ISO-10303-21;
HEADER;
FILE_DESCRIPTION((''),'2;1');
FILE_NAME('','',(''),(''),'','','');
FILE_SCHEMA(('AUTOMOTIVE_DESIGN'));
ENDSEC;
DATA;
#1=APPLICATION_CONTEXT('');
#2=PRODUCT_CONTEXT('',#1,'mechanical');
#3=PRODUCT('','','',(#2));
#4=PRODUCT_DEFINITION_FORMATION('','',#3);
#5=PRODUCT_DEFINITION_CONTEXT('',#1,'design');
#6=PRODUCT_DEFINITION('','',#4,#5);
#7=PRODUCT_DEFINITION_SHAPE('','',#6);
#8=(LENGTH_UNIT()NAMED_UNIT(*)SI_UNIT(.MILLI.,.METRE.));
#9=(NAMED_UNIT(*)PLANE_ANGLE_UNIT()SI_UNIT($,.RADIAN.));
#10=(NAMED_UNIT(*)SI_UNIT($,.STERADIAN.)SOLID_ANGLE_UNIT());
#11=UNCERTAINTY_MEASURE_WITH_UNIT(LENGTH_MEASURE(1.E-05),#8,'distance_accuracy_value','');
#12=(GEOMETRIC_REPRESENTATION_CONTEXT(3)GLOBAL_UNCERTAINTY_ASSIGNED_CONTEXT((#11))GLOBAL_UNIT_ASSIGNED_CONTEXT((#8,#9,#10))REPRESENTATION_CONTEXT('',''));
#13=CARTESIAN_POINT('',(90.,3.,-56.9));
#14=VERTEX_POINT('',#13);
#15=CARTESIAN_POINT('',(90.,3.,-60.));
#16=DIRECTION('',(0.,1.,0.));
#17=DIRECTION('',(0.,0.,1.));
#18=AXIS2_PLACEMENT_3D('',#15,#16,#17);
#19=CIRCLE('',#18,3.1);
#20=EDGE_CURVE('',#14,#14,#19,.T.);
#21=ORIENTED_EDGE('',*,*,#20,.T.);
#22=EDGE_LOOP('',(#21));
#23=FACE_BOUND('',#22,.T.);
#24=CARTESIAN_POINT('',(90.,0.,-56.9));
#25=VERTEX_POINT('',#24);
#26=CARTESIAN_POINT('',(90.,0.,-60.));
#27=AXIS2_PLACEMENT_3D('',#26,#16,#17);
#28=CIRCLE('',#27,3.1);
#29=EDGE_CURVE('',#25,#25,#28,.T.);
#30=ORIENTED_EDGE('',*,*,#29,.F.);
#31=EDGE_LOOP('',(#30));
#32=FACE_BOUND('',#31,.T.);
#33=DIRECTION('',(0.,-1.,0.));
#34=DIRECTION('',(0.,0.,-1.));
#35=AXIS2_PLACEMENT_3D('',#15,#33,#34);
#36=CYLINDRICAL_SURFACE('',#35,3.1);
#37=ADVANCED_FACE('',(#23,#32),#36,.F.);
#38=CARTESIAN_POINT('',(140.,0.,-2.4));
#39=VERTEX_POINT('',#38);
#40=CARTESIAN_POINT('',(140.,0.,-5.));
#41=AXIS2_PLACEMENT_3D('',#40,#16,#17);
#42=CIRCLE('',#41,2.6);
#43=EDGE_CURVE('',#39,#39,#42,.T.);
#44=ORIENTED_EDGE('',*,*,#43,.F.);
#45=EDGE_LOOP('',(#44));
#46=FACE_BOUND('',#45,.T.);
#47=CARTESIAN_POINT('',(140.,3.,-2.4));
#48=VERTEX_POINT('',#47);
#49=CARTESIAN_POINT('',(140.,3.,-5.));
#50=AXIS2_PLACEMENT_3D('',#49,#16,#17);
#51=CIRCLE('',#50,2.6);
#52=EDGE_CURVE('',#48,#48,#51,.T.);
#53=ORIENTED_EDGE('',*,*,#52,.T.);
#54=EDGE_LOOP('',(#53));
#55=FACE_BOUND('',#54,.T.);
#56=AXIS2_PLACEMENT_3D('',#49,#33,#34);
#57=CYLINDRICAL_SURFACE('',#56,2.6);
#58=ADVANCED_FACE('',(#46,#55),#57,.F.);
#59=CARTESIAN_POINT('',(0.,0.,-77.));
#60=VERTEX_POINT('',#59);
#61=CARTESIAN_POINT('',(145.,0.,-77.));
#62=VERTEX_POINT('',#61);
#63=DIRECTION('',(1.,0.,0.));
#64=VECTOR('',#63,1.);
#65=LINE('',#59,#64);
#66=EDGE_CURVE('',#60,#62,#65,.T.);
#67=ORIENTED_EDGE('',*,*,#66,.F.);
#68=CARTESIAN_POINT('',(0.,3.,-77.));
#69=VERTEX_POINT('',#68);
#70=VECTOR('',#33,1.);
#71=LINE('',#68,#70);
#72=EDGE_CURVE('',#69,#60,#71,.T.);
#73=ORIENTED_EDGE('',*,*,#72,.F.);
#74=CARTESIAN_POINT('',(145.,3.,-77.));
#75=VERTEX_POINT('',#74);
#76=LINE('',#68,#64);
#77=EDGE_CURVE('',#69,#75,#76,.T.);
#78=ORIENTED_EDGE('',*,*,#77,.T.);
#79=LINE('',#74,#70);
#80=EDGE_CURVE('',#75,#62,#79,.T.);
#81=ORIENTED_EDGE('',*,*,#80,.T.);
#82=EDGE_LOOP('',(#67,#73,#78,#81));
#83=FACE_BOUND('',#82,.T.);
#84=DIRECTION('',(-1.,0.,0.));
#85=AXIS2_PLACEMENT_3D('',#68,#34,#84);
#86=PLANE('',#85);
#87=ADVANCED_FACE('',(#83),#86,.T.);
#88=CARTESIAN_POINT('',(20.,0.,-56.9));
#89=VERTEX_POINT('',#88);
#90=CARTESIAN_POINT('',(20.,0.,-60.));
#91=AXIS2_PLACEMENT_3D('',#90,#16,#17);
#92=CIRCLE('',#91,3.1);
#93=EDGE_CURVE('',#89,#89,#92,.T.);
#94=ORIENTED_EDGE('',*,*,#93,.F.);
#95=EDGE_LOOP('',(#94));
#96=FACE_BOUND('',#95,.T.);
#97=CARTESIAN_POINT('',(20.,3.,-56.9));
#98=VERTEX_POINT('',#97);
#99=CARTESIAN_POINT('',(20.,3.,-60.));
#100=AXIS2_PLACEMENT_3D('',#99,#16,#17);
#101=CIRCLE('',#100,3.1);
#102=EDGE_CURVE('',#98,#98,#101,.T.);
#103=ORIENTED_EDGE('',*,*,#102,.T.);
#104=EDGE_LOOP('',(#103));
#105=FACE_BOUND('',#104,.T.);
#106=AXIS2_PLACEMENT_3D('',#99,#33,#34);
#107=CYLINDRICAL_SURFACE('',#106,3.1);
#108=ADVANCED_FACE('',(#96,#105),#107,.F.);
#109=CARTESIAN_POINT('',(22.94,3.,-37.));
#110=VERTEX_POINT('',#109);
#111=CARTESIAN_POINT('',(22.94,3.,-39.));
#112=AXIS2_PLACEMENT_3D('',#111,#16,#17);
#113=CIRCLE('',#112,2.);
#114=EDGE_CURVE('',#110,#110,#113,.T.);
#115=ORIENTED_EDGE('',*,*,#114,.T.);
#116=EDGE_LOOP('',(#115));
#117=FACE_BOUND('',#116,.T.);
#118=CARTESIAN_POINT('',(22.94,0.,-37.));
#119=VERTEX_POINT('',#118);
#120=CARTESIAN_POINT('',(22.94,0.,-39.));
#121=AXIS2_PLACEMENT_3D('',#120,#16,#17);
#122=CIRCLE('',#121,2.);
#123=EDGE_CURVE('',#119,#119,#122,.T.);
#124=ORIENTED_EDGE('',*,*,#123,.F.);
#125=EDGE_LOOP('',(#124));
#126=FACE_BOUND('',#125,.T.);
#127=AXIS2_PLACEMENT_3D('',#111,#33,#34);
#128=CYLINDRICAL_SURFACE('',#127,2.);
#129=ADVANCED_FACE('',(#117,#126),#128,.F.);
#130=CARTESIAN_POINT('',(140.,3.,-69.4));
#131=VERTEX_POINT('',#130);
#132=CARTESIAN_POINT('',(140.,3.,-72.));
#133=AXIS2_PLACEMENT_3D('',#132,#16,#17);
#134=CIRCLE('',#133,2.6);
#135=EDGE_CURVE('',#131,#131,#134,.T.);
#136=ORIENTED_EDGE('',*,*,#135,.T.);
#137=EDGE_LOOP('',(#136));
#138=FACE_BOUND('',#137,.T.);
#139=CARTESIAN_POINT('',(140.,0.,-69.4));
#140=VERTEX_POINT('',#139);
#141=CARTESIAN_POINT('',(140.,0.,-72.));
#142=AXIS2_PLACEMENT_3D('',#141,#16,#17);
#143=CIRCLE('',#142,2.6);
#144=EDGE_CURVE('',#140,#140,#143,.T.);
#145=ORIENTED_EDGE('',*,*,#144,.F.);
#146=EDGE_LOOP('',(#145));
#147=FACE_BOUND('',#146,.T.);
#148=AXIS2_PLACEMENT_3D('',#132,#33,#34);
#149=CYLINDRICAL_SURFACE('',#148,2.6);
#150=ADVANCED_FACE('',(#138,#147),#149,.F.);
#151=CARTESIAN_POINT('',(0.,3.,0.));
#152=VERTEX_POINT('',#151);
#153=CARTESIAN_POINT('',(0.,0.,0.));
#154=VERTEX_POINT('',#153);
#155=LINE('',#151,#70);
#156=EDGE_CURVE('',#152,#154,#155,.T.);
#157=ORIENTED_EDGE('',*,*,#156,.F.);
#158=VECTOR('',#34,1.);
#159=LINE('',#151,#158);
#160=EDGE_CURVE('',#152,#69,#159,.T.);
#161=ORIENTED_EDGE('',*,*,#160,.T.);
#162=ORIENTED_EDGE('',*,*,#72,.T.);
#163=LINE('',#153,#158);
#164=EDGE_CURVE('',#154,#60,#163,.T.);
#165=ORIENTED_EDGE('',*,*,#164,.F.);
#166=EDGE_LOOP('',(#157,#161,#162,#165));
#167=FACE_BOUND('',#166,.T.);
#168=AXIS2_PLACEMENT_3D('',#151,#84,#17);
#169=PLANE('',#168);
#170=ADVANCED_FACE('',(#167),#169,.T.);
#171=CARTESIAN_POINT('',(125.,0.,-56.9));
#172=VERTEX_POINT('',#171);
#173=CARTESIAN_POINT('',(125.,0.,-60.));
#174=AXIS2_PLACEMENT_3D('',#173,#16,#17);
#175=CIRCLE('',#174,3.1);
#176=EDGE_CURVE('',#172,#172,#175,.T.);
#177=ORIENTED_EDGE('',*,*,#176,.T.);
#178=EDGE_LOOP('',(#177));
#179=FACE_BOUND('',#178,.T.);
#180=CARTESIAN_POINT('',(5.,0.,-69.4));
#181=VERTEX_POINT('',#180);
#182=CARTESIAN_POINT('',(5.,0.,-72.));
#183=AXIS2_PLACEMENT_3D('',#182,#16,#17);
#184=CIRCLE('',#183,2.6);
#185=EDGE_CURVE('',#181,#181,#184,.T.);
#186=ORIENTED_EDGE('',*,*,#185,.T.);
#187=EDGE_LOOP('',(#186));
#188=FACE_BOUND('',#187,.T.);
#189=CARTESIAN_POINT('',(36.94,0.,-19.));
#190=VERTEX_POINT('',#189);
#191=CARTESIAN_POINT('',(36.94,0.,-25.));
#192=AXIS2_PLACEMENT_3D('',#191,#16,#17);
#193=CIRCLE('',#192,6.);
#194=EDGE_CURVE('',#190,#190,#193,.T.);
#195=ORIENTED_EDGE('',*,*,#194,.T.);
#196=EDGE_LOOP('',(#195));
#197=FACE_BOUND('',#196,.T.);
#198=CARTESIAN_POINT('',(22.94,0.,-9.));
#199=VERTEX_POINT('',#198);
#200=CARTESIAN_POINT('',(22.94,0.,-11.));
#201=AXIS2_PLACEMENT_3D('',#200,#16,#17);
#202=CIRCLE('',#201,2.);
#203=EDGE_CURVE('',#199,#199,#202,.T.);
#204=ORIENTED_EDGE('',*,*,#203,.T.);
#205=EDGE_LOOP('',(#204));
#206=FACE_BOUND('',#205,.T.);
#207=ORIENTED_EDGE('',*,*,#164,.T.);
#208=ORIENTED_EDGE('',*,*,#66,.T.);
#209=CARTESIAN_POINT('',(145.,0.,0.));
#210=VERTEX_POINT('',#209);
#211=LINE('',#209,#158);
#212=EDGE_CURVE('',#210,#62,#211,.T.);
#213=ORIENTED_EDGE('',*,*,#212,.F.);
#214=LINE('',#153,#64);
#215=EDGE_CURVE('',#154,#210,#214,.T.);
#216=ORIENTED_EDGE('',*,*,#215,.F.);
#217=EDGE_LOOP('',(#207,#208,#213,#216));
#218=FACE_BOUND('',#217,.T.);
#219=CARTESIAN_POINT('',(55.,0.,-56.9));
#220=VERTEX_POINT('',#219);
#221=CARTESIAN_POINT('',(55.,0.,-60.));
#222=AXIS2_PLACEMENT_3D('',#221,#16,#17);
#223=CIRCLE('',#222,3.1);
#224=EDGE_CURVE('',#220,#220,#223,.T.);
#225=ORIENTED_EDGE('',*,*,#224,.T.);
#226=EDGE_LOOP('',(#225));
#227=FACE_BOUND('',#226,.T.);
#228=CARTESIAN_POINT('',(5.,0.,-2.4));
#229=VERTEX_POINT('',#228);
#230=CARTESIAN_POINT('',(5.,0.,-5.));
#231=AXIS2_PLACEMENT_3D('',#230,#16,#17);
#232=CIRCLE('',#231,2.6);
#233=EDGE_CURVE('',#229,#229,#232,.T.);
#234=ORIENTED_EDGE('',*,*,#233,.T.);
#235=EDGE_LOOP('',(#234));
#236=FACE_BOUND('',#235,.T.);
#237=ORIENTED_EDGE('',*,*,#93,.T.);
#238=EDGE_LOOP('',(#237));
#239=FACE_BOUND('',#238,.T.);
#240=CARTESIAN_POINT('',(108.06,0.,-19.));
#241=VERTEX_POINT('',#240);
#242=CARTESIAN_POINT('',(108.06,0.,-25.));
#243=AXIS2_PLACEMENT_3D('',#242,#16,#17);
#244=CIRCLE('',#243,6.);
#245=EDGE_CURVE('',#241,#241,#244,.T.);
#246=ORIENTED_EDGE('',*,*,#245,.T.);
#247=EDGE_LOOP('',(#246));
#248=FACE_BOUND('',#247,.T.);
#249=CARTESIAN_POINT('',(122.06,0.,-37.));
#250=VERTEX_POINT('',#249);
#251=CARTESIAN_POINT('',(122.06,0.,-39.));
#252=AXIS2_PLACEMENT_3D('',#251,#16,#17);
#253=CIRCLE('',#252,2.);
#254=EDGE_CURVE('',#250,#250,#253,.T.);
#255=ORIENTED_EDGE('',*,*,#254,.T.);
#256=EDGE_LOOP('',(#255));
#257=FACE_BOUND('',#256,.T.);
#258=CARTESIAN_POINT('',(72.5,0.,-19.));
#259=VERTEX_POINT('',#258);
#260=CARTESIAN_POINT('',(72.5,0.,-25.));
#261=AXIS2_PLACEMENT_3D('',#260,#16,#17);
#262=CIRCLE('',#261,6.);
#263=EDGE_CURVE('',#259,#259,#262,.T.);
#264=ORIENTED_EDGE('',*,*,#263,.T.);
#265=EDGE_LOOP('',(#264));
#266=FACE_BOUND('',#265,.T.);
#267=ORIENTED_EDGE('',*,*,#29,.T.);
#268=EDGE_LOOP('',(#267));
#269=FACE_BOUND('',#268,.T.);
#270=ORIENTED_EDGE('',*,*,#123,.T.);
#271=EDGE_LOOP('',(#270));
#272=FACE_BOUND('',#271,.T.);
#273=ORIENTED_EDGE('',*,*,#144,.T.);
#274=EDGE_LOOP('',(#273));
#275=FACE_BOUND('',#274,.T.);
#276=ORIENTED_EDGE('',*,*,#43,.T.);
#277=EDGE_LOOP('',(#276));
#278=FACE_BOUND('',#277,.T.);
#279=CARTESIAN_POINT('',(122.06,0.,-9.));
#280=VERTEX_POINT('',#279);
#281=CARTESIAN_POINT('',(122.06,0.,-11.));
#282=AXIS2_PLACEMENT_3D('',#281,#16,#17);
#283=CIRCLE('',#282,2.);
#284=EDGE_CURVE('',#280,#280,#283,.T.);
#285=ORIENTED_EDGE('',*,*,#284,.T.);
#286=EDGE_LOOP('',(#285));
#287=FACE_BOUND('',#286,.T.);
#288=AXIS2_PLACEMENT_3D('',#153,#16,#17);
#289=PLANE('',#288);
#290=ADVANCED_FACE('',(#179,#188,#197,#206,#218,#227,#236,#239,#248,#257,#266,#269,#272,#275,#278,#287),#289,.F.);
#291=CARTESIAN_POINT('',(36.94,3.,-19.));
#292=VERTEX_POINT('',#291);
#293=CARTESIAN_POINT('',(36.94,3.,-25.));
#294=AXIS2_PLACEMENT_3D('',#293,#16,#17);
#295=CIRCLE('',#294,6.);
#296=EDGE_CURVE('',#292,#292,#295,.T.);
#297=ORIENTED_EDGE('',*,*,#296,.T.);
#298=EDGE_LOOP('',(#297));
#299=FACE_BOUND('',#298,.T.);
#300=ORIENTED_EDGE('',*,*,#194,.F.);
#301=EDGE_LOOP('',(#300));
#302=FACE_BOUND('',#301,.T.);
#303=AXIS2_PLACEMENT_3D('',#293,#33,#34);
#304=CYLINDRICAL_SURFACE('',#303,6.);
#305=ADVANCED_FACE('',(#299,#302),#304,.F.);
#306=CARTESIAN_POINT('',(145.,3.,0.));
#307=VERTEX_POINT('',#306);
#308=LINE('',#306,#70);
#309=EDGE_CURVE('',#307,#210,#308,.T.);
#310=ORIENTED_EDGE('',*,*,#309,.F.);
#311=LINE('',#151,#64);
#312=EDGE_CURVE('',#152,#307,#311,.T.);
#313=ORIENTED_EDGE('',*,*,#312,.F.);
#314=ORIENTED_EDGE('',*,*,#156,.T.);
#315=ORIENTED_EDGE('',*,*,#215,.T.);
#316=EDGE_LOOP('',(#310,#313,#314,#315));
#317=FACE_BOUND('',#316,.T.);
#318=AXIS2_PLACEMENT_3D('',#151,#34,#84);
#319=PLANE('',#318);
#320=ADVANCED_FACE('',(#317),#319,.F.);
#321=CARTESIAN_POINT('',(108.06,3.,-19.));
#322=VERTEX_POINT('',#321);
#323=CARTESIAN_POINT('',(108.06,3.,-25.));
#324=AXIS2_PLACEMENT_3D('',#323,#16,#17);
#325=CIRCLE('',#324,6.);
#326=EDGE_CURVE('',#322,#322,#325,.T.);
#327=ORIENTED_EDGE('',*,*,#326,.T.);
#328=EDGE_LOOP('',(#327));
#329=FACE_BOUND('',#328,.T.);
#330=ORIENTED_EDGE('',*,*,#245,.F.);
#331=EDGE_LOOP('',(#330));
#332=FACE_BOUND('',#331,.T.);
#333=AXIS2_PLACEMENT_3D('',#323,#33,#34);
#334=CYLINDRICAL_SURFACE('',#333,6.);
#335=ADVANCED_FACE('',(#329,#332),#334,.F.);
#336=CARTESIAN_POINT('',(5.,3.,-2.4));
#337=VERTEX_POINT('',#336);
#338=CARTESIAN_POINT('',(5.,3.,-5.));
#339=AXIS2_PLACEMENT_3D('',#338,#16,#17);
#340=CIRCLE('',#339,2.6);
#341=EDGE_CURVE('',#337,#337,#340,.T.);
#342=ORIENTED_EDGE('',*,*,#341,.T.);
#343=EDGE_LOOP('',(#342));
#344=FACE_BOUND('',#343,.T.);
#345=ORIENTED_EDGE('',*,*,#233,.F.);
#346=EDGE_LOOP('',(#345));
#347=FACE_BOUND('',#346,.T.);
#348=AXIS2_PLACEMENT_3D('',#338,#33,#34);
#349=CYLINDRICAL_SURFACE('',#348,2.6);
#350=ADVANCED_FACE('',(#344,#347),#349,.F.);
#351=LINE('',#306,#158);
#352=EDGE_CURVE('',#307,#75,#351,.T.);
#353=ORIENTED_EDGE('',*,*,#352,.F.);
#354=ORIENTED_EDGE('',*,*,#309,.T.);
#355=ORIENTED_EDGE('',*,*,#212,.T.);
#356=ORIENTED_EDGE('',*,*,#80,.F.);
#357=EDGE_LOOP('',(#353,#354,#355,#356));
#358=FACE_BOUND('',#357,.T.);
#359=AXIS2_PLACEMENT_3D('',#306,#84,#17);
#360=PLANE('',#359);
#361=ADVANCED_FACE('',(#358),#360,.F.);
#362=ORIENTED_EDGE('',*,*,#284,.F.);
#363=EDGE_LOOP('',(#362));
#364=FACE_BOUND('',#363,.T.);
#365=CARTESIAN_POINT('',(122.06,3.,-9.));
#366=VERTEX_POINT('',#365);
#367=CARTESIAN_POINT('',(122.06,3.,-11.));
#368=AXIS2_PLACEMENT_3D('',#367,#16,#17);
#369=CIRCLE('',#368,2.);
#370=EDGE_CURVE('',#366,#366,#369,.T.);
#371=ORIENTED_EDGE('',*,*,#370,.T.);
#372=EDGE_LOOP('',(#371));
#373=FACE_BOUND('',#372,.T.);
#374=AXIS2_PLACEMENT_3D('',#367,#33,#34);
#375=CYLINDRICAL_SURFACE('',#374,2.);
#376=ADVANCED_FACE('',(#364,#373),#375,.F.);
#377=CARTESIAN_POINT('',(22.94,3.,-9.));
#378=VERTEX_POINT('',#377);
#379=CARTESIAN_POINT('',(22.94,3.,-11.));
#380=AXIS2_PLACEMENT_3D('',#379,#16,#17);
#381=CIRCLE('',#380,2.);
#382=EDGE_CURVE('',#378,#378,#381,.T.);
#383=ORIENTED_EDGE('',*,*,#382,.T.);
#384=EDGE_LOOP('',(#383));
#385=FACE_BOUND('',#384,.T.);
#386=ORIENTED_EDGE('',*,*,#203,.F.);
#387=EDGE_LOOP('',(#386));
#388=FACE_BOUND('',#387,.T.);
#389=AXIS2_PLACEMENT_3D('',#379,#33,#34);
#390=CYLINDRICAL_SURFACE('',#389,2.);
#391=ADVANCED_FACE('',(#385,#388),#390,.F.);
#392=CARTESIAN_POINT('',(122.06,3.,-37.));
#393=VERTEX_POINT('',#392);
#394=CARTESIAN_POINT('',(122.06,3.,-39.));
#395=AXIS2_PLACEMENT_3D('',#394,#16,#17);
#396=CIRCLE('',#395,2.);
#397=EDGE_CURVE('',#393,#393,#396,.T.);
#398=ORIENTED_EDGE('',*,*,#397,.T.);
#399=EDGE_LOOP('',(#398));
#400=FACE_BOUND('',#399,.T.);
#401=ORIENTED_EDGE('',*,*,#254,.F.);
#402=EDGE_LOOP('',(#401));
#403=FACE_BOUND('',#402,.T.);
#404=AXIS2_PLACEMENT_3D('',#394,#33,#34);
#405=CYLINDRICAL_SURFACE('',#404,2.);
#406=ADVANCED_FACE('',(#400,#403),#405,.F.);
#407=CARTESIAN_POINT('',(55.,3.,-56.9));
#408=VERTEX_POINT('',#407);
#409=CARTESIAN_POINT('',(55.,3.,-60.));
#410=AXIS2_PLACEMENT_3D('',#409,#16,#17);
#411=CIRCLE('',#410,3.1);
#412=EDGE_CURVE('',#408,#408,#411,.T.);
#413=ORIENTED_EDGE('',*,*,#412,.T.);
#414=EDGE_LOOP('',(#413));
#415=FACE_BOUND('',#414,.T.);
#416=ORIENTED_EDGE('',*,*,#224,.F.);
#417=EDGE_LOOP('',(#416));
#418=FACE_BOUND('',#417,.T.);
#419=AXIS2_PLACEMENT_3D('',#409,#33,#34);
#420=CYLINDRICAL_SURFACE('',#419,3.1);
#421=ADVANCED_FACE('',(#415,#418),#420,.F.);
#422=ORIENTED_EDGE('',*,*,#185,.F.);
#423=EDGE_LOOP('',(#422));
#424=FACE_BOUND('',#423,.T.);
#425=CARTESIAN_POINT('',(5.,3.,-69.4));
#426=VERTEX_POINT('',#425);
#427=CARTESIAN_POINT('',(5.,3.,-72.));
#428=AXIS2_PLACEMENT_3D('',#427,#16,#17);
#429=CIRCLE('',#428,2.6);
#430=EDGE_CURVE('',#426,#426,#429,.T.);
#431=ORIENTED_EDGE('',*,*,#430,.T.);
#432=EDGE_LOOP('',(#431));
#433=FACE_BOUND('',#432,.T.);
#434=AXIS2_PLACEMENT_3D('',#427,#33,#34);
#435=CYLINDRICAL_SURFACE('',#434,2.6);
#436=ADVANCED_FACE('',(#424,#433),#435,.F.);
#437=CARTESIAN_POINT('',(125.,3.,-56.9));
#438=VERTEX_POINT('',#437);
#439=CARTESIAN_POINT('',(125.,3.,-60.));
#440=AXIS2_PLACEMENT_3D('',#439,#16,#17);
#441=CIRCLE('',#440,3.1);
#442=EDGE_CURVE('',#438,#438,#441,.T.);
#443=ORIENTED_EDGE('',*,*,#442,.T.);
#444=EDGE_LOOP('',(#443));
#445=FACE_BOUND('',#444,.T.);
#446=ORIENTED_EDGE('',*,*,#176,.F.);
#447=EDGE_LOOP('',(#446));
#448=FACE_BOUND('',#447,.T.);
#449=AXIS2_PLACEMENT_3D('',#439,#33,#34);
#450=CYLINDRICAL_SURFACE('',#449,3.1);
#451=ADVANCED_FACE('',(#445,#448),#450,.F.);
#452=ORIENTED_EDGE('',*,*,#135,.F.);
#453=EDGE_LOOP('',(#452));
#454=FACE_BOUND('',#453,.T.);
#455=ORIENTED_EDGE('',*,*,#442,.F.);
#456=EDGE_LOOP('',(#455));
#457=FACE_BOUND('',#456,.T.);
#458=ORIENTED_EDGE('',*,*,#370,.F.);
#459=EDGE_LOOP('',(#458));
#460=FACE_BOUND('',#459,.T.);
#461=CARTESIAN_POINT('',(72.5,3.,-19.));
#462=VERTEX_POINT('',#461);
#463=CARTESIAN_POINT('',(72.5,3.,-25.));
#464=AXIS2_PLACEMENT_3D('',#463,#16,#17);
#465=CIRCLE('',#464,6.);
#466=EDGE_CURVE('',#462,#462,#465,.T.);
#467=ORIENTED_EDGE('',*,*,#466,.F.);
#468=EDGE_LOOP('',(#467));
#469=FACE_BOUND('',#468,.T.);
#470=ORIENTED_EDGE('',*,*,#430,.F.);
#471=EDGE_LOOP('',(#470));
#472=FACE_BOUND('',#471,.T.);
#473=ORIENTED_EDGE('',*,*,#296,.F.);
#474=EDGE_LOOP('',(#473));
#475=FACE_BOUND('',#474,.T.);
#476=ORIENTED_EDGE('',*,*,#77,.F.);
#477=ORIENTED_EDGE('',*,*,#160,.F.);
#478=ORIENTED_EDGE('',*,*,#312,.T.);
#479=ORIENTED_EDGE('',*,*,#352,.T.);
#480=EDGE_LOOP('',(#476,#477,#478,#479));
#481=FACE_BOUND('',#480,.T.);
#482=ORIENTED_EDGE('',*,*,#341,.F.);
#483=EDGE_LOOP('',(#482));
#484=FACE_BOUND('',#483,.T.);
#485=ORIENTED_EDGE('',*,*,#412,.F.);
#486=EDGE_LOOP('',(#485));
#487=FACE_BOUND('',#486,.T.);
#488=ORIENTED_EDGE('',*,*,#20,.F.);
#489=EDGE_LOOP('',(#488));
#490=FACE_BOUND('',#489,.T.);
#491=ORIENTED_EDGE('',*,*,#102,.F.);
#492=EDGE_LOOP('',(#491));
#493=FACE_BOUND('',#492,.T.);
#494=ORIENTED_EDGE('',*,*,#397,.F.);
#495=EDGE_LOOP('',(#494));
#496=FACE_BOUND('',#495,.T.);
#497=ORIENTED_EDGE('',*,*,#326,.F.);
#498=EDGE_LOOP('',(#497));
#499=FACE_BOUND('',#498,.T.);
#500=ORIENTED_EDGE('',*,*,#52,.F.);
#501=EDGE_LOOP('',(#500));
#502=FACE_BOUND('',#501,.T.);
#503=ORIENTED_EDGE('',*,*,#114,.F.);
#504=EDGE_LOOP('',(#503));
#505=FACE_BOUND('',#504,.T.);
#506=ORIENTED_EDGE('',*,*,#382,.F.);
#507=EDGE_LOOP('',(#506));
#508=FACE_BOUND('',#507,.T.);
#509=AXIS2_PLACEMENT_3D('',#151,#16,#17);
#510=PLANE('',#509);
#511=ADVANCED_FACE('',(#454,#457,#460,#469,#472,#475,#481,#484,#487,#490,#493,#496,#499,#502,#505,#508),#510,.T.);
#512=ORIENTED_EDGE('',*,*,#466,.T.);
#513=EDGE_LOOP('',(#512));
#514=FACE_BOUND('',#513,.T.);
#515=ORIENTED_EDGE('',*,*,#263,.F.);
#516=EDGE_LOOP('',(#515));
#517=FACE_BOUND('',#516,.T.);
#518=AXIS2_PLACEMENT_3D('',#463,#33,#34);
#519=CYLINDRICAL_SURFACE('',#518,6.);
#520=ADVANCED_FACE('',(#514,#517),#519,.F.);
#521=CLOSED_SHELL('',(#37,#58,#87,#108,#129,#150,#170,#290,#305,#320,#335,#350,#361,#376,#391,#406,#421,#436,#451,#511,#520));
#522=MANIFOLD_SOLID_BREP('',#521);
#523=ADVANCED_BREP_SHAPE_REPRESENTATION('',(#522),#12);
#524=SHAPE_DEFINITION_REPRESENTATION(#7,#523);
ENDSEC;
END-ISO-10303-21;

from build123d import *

# Parameters (mm, degrees)
SKETCH1_W           = 145
SKETCH1_H           = 77
SKETCH1_R           = 3.1
SKETCH1_R_2         = 2.6
SKETCH1_R_3         = 6
SKETCH1_R_4         = 2
BOSS_EXTRUDE1_DEPTH = 3


with BuildPart() as part:
    # Sketch1 → Boss-Extrude1 (new body)
    with BuildSketch(Plane(origin=(0, 0, 0), x_dir=(1, 0, 0), z_dir=(0, 1, 0))):
        with Locations((72.5, 38.5)):
            Rectangle(SKETCH1_W, SKETCH1_H)
        with Locations(Location((20, 60, 0), (0, 0, 270))):
            Circle(SKETCH1_R, mode=Mode.SUBTRACT)
        with Locations(Location((55, 60, 0), (0, 0, 270))):
            Circle(SKETCH1_R, mode=Mode.SUBTRACT)
        with Locations(Location((90, 60, 0), (0, 0, 270))):
            Circle(SKETCH1_R, mode=Mode.SUBTRACT)
        with Locations(Location((125, 60, 0), (0, 0, 270))):
            Circle(SKETCH1_R, mode=Mode.SUBTRACT)
        with Locations(Location((5, 72, 0), (0, 0, 270))):
            Circle(SKETCH1_R_2, mode=Mode.SUBTRACT)
        with Locations(Location((5, 5, 0), (0, 0, 270))):
            Circle(SKETCH1_R_2, mode=Mode.SUBTRACT)
        with Locations(Location((140, 5, 0), (0, 0, 270))):
            Circle(SKETCH1_R_2, mode=Mode.SUBTRACT)
        with Locations(Location((140, 72, 0), (0, 0, 270))):
            Circle(SKETCH1_R_2, mode=Mode.SUBTRACT)
        with Locations(Location((36.94, 25, 0), (0, 0, 270))):
            Circle(SKETCH1_R_3, mode=Mode.SUBTRACT)
        with Locations(Location((72.5, 25, 0), (0, 0, 270))):
            Circle(SKETCH1_R_3, mode=Mode.SUBTRACT)
        with Locations(Location((108.06, 25, 0), (0, 0, 270))):
            Circle(SKETCH1_R_3, mode=Mode.SUBTRACT)
        with Locations(Location((22.94, 39, 0), (0, 0, 270))):
            Circle(SKETCH1_R_4, mode=Mode.SUBTRACT)
        with Locations(Location((122.06, 39, 0), (0, 0, 270))):
            Circle(SKETCH1_R_4, mode=Mode.SUBTRACT)
        with Locations(Location((122.06, 11, 0), (0, 0, 270))):
            Circle(SKETCH1_R_4, mode=Mode.SUBTRACT)
        with Locations(Location((22.94, 11, 0), (0, 0, 270))):
            Circle(SKETCH1_R_4, mode=Mode.SUBTRACT)
    extrude(amount=BOSS_EXTRUDE1_DEPTH)


solid = part.part
